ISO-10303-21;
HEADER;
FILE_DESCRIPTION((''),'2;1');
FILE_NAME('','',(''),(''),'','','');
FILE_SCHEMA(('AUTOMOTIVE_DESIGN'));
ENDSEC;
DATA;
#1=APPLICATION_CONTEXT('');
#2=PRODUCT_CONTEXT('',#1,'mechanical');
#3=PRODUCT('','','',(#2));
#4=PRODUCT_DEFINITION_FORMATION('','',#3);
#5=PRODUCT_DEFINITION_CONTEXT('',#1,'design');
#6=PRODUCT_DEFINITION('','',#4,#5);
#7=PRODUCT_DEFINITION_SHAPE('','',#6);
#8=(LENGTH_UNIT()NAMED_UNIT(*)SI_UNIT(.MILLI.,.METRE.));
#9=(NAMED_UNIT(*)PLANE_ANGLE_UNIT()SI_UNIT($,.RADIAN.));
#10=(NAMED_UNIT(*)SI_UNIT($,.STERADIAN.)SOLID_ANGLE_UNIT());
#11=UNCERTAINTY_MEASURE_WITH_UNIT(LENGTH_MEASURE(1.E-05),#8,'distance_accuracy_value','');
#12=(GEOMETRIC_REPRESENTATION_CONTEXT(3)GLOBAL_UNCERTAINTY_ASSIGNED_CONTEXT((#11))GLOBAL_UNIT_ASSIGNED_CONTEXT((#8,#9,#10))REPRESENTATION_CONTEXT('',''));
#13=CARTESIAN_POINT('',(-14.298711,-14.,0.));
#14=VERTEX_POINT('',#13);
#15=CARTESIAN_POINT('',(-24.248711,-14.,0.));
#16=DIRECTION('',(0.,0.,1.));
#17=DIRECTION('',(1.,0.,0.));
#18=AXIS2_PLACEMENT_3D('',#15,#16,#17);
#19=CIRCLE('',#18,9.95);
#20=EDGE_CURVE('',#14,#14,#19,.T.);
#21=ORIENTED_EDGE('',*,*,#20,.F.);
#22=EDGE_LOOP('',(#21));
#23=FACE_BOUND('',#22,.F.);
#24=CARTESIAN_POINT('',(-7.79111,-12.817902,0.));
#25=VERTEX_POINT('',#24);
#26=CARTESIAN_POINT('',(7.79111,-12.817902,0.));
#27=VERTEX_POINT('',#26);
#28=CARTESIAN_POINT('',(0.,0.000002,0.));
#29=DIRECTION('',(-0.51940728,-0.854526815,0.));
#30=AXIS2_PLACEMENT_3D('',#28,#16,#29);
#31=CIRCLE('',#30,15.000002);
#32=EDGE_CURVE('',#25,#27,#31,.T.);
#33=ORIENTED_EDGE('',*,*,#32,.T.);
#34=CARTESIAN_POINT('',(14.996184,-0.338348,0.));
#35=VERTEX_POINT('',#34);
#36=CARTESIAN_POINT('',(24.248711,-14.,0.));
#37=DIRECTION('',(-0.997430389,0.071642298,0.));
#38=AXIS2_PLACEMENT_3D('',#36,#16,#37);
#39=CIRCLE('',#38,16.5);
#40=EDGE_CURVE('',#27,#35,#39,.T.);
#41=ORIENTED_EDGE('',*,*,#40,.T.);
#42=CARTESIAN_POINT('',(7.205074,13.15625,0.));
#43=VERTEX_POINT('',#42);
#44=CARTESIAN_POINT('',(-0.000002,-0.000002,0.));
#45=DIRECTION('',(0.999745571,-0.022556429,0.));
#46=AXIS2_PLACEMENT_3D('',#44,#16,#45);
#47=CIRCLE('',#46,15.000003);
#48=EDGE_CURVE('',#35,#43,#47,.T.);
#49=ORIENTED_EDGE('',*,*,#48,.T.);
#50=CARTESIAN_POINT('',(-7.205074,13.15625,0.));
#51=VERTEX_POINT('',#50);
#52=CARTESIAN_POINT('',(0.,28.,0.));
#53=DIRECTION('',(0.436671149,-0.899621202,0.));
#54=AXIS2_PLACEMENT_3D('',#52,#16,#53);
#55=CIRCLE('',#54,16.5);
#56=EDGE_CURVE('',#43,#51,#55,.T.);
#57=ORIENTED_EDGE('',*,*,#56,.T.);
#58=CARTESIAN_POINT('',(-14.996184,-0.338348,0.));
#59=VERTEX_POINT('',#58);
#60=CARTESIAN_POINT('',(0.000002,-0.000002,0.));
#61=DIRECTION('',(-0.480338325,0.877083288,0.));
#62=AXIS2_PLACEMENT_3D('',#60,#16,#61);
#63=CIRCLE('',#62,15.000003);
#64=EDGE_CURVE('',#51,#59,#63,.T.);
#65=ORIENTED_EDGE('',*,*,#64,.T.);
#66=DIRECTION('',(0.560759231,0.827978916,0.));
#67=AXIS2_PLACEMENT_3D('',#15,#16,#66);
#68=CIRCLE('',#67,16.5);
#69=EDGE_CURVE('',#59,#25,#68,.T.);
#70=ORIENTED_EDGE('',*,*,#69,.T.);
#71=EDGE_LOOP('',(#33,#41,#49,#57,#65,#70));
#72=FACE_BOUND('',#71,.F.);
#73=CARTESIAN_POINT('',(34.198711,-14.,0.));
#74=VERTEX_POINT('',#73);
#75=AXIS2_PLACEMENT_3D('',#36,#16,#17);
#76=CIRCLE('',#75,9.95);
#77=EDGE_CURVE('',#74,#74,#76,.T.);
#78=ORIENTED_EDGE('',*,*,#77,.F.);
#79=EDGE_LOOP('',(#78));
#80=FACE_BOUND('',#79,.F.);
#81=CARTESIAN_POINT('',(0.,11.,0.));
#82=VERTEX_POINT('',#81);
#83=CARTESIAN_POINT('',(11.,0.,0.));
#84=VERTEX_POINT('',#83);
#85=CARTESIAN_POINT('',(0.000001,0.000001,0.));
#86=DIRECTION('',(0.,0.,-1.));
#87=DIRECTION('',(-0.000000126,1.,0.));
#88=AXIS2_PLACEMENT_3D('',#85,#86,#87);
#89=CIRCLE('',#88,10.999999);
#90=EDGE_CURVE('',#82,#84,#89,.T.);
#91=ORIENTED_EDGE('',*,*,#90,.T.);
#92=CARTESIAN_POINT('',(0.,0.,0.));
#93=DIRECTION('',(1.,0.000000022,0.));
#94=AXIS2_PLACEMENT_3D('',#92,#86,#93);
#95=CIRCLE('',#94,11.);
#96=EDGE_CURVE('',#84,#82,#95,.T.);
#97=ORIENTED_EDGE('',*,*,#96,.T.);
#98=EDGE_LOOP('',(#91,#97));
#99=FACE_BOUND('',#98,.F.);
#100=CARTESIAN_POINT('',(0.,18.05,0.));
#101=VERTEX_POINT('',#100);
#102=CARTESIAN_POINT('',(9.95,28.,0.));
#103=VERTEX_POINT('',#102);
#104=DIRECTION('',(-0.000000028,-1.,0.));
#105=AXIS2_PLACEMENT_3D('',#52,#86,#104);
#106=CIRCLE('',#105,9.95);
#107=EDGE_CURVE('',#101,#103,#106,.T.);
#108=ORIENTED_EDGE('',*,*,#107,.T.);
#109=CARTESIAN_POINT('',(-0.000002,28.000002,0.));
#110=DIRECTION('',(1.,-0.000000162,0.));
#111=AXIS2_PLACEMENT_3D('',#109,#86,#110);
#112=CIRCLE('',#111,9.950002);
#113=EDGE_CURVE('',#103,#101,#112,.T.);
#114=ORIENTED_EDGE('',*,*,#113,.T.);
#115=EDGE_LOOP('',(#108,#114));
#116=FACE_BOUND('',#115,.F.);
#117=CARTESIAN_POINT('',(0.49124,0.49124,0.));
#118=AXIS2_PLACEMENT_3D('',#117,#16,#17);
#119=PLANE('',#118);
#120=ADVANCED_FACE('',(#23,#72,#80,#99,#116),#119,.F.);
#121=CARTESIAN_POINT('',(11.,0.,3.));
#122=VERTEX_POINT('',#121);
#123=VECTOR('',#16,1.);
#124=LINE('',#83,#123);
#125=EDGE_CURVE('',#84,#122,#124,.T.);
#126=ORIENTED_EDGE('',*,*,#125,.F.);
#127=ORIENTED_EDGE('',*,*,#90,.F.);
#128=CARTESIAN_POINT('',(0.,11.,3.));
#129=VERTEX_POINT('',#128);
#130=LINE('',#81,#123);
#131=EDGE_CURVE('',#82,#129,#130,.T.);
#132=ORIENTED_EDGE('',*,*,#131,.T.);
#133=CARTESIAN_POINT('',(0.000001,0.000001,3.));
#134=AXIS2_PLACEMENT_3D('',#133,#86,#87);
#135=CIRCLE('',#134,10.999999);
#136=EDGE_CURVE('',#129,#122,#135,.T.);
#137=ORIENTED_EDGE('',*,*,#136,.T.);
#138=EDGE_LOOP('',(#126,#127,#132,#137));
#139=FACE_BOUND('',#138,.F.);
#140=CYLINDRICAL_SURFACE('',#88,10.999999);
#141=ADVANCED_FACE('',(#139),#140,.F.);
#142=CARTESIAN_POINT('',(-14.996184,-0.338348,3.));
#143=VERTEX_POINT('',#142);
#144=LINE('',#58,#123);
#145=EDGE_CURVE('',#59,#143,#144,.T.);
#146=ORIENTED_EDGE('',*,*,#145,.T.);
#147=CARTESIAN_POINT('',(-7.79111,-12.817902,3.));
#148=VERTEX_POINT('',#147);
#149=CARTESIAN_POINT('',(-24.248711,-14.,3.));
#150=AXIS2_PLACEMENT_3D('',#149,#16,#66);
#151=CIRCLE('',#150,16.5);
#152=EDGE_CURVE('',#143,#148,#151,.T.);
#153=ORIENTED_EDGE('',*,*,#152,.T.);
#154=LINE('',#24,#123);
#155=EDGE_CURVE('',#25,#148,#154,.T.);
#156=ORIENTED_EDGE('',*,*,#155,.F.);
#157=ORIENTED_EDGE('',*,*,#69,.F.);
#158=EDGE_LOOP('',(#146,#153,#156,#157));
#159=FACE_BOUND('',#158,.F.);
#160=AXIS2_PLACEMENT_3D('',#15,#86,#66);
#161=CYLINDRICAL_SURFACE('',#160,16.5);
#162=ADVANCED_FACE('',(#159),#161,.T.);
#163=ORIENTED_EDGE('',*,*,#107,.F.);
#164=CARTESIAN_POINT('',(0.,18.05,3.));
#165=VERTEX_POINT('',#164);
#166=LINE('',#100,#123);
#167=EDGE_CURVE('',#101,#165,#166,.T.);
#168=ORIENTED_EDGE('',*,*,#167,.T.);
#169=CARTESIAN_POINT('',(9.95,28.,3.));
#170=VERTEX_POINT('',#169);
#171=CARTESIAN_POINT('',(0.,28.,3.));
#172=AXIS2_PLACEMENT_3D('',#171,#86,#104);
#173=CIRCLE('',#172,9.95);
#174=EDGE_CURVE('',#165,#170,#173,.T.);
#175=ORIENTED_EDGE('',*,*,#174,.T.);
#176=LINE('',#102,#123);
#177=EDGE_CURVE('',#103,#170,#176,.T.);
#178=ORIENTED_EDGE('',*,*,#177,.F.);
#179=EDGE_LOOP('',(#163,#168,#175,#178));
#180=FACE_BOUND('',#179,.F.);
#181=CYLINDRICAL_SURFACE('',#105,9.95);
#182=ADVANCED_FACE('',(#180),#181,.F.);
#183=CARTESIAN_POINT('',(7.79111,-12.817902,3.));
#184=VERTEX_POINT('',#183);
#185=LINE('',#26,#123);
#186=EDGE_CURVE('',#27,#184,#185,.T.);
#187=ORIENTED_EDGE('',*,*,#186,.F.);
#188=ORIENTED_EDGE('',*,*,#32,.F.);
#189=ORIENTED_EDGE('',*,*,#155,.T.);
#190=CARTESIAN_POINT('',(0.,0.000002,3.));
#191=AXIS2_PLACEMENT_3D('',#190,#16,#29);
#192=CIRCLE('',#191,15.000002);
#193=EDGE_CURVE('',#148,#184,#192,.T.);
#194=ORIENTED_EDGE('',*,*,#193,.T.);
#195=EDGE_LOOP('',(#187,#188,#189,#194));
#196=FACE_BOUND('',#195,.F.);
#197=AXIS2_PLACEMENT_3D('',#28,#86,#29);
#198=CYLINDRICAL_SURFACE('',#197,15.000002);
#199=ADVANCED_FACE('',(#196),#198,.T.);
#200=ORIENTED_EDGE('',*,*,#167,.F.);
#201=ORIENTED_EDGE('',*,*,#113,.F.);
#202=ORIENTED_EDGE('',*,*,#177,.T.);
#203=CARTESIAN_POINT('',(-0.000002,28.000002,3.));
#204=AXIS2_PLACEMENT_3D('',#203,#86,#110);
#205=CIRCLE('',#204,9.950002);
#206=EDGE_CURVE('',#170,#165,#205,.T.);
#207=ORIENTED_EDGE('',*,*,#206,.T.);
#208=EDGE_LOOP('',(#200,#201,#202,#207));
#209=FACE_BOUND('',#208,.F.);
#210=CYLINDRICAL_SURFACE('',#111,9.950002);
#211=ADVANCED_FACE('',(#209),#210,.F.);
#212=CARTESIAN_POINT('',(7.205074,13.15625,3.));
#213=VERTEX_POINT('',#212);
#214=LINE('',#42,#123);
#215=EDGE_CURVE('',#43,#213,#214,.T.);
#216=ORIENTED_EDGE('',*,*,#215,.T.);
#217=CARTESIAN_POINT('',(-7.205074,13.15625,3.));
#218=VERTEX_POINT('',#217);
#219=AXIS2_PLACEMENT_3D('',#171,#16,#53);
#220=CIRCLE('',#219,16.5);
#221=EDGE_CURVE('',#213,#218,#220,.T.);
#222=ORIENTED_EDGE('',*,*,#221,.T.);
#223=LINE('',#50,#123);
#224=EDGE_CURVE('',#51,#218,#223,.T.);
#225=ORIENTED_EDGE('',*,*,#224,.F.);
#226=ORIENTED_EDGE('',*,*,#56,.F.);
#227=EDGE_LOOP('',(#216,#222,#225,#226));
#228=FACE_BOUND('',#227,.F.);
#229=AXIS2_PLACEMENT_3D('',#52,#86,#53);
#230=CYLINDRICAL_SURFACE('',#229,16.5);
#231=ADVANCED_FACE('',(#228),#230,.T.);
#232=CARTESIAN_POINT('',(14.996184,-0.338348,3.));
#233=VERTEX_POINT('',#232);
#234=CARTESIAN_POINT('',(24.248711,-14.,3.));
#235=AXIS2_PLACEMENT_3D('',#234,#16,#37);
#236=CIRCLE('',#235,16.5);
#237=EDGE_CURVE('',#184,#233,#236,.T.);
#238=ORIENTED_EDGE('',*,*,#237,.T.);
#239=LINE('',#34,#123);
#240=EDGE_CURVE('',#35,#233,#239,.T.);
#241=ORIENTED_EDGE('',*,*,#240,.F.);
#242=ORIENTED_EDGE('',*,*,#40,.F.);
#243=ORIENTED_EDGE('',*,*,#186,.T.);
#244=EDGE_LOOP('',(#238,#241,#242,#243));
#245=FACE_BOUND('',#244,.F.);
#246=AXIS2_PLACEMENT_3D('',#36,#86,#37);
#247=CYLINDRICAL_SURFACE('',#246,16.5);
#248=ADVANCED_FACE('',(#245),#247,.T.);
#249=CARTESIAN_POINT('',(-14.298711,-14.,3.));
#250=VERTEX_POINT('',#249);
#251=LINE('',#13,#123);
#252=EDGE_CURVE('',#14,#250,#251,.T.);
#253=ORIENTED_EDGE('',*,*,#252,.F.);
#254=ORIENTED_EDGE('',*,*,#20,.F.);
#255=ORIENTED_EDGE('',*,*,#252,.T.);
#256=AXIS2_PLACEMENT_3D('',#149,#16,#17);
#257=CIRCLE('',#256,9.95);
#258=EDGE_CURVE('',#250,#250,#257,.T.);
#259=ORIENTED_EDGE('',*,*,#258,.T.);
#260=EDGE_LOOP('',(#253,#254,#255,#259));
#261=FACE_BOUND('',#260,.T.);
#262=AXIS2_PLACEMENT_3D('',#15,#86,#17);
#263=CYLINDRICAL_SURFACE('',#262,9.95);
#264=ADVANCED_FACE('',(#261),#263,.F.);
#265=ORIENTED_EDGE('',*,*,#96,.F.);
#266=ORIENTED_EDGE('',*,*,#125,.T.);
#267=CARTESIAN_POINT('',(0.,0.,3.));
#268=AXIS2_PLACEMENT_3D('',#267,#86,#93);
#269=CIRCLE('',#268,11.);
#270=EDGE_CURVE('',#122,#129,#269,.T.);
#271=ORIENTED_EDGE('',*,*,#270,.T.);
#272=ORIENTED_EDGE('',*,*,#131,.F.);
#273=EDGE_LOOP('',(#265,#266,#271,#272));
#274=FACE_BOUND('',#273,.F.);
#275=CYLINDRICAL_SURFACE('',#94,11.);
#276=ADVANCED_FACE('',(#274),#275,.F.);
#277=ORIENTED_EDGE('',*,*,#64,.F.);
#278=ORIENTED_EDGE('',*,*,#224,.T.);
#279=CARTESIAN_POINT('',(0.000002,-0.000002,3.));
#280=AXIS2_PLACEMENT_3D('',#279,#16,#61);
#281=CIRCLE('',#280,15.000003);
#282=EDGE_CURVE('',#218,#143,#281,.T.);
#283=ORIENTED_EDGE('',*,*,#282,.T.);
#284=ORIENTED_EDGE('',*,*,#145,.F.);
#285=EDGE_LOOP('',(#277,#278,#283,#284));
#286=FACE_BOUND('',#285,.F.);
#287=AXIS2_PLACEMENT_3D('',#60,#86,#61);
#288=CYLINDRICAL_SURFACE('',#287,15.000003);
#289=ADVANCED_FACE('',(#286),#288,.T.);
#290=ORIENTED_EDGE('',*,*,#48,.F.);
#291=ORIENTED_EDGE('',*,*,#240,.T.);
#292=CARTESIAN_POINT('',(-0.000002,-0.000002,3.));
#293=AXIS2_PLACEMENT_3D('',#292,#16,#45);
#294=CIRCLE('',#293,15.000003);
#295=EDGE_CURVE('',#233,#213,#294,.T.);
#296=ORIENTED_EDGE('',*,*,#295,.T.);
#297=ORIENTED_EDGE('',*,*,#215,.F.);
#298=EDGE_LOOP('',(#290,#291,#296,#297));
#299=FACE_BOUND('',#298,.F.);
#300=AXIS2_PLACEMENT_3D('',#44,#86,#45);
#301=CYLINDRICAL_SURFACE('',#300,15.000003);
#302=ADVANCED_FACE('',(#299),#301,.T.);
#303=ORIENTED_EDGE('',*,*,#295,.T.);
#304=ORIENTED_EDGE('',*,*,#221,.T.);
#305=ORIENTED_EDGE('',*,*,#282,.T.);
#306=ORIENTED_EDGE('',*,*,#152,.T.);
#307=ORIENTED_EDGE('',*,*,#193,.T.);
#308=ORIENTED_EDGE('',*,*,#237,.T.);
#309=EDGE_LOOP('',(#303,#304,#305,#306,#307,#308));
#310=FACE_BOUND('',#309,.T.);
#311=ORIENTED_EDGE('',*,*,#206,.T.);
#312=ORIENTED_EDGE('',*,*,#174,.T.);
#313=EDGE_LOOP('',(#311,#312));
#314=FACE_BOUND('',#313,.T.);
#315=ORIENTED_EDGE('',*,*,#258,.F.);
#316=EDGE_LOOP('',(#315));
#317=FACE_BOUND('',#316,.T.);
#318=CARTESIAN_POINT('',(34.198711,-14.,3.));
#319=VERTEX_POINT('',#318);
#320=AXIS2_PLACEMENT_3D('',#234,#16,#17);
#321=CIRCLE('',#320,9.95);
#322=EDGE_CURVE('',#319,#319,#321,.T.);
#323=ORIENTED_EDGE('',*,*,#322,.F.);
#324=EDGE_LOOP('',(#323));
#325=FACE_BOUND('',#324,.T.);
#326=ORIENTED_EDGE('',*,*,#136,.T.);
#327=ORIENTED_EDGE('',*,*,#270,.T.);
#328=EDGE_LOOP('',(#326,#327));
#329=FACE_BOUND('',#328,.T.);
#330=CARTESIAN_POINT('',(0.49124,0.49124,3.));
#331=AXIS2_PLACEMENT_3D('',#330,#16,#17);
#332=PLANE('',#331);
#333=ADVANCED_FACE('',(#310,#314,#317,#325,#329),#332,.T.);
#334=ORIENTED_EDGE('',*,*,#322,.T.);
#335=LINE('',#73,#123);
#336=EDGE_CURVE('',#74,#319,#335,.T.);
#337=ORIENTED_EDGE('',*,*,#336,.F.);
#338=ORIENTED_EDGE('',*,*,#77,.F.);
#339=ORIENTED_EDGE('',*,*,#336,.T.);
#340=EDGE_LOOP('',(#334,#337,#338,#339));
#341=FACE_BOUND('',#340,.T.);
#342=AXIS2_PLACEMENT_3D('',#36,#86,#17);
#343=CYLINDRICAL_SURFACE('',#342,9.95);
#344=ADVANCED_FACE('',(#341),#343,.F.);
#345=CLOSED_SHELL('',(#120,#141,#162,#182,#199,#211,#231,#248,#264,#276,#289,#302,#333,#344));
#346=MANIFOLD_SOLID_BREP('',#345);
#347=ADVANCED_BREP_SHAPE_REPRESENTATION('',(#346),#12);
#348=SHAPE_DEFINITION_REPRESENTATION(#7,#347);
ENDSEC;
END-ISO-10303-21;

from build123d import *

# Parameters (mm, degrees)
F0_R     = 9.95
F1_DEPTH = 3


with BuildPart() as f1:
    # F0 (on Top) → F1 (new body)
    with BuildSketch(Plane.XY):
        with BuildLine():
            ThreePointArc((0, 11), (-7.778175, -7.778175), (11, 0))
            ThreePointArc((11, 0), (7.778175, 7.778175), (0, 11))
        make_face()
        with BuildLine():
            ThreePointArc((9.95, 28), (-7.035712, 35.035712), (0, 18.05))
            ThreePointArc((0, 18.05), (7.035712, 20.964288), (9.95, 28))
        make_face()
        with BuildLine():
            ThreePointArc((7.205074, 13.15625), (0, 44.5), (-7.205074, 13.15625))
            ThreePointArc((-7.205074, 13.15625), (-12.990381, 7.5), (-14.996184, -0.338348))
            ThreePointArc((-14.996184, -0.338348), (-38.53813, -22.25), (-7.79111, -12.817902))
            ThreePointArc((-7.79111, -12.817902), (0, -15), (7.79111, -12.817902))
            ThreePointArc((7.79111, -12.817902), (38.53813, -22.25), (14.996184, -0.338348))
            ThreePointArc((14.996184, -0.338348), (12.990381, 7.5), (7.205074, 13.15625))
        make_face()
        with Locations((-24.248711, -14)):
            Circle(F0_R, mode=Mode.SUBTRACT)
        with Locations((24.248711, -14)):
            Circle(F0_R, mode=Mode.SUBTRACT)
        with BuildLine():
            ThreePointArc((0, 11), (7.778175, 7.778175), (11, 0))
            ThreePointArc((11, 0), (-7.778175, -7.778175), (0, 11))
        make_face(mode=Mode.SUBTRACT)
        with BuildLine():
            ThreePointArc((9.95, 28), (7.035712, 20.964288), (0, 18.05))
            ThreePointArc((0, 18.05), (-7.035712, 35.035712), (9.95, 28))
        make_face(mode=Mode.SUBTRACT)
    extrude(amount=F1_DEPTH)


solid = f1.part
